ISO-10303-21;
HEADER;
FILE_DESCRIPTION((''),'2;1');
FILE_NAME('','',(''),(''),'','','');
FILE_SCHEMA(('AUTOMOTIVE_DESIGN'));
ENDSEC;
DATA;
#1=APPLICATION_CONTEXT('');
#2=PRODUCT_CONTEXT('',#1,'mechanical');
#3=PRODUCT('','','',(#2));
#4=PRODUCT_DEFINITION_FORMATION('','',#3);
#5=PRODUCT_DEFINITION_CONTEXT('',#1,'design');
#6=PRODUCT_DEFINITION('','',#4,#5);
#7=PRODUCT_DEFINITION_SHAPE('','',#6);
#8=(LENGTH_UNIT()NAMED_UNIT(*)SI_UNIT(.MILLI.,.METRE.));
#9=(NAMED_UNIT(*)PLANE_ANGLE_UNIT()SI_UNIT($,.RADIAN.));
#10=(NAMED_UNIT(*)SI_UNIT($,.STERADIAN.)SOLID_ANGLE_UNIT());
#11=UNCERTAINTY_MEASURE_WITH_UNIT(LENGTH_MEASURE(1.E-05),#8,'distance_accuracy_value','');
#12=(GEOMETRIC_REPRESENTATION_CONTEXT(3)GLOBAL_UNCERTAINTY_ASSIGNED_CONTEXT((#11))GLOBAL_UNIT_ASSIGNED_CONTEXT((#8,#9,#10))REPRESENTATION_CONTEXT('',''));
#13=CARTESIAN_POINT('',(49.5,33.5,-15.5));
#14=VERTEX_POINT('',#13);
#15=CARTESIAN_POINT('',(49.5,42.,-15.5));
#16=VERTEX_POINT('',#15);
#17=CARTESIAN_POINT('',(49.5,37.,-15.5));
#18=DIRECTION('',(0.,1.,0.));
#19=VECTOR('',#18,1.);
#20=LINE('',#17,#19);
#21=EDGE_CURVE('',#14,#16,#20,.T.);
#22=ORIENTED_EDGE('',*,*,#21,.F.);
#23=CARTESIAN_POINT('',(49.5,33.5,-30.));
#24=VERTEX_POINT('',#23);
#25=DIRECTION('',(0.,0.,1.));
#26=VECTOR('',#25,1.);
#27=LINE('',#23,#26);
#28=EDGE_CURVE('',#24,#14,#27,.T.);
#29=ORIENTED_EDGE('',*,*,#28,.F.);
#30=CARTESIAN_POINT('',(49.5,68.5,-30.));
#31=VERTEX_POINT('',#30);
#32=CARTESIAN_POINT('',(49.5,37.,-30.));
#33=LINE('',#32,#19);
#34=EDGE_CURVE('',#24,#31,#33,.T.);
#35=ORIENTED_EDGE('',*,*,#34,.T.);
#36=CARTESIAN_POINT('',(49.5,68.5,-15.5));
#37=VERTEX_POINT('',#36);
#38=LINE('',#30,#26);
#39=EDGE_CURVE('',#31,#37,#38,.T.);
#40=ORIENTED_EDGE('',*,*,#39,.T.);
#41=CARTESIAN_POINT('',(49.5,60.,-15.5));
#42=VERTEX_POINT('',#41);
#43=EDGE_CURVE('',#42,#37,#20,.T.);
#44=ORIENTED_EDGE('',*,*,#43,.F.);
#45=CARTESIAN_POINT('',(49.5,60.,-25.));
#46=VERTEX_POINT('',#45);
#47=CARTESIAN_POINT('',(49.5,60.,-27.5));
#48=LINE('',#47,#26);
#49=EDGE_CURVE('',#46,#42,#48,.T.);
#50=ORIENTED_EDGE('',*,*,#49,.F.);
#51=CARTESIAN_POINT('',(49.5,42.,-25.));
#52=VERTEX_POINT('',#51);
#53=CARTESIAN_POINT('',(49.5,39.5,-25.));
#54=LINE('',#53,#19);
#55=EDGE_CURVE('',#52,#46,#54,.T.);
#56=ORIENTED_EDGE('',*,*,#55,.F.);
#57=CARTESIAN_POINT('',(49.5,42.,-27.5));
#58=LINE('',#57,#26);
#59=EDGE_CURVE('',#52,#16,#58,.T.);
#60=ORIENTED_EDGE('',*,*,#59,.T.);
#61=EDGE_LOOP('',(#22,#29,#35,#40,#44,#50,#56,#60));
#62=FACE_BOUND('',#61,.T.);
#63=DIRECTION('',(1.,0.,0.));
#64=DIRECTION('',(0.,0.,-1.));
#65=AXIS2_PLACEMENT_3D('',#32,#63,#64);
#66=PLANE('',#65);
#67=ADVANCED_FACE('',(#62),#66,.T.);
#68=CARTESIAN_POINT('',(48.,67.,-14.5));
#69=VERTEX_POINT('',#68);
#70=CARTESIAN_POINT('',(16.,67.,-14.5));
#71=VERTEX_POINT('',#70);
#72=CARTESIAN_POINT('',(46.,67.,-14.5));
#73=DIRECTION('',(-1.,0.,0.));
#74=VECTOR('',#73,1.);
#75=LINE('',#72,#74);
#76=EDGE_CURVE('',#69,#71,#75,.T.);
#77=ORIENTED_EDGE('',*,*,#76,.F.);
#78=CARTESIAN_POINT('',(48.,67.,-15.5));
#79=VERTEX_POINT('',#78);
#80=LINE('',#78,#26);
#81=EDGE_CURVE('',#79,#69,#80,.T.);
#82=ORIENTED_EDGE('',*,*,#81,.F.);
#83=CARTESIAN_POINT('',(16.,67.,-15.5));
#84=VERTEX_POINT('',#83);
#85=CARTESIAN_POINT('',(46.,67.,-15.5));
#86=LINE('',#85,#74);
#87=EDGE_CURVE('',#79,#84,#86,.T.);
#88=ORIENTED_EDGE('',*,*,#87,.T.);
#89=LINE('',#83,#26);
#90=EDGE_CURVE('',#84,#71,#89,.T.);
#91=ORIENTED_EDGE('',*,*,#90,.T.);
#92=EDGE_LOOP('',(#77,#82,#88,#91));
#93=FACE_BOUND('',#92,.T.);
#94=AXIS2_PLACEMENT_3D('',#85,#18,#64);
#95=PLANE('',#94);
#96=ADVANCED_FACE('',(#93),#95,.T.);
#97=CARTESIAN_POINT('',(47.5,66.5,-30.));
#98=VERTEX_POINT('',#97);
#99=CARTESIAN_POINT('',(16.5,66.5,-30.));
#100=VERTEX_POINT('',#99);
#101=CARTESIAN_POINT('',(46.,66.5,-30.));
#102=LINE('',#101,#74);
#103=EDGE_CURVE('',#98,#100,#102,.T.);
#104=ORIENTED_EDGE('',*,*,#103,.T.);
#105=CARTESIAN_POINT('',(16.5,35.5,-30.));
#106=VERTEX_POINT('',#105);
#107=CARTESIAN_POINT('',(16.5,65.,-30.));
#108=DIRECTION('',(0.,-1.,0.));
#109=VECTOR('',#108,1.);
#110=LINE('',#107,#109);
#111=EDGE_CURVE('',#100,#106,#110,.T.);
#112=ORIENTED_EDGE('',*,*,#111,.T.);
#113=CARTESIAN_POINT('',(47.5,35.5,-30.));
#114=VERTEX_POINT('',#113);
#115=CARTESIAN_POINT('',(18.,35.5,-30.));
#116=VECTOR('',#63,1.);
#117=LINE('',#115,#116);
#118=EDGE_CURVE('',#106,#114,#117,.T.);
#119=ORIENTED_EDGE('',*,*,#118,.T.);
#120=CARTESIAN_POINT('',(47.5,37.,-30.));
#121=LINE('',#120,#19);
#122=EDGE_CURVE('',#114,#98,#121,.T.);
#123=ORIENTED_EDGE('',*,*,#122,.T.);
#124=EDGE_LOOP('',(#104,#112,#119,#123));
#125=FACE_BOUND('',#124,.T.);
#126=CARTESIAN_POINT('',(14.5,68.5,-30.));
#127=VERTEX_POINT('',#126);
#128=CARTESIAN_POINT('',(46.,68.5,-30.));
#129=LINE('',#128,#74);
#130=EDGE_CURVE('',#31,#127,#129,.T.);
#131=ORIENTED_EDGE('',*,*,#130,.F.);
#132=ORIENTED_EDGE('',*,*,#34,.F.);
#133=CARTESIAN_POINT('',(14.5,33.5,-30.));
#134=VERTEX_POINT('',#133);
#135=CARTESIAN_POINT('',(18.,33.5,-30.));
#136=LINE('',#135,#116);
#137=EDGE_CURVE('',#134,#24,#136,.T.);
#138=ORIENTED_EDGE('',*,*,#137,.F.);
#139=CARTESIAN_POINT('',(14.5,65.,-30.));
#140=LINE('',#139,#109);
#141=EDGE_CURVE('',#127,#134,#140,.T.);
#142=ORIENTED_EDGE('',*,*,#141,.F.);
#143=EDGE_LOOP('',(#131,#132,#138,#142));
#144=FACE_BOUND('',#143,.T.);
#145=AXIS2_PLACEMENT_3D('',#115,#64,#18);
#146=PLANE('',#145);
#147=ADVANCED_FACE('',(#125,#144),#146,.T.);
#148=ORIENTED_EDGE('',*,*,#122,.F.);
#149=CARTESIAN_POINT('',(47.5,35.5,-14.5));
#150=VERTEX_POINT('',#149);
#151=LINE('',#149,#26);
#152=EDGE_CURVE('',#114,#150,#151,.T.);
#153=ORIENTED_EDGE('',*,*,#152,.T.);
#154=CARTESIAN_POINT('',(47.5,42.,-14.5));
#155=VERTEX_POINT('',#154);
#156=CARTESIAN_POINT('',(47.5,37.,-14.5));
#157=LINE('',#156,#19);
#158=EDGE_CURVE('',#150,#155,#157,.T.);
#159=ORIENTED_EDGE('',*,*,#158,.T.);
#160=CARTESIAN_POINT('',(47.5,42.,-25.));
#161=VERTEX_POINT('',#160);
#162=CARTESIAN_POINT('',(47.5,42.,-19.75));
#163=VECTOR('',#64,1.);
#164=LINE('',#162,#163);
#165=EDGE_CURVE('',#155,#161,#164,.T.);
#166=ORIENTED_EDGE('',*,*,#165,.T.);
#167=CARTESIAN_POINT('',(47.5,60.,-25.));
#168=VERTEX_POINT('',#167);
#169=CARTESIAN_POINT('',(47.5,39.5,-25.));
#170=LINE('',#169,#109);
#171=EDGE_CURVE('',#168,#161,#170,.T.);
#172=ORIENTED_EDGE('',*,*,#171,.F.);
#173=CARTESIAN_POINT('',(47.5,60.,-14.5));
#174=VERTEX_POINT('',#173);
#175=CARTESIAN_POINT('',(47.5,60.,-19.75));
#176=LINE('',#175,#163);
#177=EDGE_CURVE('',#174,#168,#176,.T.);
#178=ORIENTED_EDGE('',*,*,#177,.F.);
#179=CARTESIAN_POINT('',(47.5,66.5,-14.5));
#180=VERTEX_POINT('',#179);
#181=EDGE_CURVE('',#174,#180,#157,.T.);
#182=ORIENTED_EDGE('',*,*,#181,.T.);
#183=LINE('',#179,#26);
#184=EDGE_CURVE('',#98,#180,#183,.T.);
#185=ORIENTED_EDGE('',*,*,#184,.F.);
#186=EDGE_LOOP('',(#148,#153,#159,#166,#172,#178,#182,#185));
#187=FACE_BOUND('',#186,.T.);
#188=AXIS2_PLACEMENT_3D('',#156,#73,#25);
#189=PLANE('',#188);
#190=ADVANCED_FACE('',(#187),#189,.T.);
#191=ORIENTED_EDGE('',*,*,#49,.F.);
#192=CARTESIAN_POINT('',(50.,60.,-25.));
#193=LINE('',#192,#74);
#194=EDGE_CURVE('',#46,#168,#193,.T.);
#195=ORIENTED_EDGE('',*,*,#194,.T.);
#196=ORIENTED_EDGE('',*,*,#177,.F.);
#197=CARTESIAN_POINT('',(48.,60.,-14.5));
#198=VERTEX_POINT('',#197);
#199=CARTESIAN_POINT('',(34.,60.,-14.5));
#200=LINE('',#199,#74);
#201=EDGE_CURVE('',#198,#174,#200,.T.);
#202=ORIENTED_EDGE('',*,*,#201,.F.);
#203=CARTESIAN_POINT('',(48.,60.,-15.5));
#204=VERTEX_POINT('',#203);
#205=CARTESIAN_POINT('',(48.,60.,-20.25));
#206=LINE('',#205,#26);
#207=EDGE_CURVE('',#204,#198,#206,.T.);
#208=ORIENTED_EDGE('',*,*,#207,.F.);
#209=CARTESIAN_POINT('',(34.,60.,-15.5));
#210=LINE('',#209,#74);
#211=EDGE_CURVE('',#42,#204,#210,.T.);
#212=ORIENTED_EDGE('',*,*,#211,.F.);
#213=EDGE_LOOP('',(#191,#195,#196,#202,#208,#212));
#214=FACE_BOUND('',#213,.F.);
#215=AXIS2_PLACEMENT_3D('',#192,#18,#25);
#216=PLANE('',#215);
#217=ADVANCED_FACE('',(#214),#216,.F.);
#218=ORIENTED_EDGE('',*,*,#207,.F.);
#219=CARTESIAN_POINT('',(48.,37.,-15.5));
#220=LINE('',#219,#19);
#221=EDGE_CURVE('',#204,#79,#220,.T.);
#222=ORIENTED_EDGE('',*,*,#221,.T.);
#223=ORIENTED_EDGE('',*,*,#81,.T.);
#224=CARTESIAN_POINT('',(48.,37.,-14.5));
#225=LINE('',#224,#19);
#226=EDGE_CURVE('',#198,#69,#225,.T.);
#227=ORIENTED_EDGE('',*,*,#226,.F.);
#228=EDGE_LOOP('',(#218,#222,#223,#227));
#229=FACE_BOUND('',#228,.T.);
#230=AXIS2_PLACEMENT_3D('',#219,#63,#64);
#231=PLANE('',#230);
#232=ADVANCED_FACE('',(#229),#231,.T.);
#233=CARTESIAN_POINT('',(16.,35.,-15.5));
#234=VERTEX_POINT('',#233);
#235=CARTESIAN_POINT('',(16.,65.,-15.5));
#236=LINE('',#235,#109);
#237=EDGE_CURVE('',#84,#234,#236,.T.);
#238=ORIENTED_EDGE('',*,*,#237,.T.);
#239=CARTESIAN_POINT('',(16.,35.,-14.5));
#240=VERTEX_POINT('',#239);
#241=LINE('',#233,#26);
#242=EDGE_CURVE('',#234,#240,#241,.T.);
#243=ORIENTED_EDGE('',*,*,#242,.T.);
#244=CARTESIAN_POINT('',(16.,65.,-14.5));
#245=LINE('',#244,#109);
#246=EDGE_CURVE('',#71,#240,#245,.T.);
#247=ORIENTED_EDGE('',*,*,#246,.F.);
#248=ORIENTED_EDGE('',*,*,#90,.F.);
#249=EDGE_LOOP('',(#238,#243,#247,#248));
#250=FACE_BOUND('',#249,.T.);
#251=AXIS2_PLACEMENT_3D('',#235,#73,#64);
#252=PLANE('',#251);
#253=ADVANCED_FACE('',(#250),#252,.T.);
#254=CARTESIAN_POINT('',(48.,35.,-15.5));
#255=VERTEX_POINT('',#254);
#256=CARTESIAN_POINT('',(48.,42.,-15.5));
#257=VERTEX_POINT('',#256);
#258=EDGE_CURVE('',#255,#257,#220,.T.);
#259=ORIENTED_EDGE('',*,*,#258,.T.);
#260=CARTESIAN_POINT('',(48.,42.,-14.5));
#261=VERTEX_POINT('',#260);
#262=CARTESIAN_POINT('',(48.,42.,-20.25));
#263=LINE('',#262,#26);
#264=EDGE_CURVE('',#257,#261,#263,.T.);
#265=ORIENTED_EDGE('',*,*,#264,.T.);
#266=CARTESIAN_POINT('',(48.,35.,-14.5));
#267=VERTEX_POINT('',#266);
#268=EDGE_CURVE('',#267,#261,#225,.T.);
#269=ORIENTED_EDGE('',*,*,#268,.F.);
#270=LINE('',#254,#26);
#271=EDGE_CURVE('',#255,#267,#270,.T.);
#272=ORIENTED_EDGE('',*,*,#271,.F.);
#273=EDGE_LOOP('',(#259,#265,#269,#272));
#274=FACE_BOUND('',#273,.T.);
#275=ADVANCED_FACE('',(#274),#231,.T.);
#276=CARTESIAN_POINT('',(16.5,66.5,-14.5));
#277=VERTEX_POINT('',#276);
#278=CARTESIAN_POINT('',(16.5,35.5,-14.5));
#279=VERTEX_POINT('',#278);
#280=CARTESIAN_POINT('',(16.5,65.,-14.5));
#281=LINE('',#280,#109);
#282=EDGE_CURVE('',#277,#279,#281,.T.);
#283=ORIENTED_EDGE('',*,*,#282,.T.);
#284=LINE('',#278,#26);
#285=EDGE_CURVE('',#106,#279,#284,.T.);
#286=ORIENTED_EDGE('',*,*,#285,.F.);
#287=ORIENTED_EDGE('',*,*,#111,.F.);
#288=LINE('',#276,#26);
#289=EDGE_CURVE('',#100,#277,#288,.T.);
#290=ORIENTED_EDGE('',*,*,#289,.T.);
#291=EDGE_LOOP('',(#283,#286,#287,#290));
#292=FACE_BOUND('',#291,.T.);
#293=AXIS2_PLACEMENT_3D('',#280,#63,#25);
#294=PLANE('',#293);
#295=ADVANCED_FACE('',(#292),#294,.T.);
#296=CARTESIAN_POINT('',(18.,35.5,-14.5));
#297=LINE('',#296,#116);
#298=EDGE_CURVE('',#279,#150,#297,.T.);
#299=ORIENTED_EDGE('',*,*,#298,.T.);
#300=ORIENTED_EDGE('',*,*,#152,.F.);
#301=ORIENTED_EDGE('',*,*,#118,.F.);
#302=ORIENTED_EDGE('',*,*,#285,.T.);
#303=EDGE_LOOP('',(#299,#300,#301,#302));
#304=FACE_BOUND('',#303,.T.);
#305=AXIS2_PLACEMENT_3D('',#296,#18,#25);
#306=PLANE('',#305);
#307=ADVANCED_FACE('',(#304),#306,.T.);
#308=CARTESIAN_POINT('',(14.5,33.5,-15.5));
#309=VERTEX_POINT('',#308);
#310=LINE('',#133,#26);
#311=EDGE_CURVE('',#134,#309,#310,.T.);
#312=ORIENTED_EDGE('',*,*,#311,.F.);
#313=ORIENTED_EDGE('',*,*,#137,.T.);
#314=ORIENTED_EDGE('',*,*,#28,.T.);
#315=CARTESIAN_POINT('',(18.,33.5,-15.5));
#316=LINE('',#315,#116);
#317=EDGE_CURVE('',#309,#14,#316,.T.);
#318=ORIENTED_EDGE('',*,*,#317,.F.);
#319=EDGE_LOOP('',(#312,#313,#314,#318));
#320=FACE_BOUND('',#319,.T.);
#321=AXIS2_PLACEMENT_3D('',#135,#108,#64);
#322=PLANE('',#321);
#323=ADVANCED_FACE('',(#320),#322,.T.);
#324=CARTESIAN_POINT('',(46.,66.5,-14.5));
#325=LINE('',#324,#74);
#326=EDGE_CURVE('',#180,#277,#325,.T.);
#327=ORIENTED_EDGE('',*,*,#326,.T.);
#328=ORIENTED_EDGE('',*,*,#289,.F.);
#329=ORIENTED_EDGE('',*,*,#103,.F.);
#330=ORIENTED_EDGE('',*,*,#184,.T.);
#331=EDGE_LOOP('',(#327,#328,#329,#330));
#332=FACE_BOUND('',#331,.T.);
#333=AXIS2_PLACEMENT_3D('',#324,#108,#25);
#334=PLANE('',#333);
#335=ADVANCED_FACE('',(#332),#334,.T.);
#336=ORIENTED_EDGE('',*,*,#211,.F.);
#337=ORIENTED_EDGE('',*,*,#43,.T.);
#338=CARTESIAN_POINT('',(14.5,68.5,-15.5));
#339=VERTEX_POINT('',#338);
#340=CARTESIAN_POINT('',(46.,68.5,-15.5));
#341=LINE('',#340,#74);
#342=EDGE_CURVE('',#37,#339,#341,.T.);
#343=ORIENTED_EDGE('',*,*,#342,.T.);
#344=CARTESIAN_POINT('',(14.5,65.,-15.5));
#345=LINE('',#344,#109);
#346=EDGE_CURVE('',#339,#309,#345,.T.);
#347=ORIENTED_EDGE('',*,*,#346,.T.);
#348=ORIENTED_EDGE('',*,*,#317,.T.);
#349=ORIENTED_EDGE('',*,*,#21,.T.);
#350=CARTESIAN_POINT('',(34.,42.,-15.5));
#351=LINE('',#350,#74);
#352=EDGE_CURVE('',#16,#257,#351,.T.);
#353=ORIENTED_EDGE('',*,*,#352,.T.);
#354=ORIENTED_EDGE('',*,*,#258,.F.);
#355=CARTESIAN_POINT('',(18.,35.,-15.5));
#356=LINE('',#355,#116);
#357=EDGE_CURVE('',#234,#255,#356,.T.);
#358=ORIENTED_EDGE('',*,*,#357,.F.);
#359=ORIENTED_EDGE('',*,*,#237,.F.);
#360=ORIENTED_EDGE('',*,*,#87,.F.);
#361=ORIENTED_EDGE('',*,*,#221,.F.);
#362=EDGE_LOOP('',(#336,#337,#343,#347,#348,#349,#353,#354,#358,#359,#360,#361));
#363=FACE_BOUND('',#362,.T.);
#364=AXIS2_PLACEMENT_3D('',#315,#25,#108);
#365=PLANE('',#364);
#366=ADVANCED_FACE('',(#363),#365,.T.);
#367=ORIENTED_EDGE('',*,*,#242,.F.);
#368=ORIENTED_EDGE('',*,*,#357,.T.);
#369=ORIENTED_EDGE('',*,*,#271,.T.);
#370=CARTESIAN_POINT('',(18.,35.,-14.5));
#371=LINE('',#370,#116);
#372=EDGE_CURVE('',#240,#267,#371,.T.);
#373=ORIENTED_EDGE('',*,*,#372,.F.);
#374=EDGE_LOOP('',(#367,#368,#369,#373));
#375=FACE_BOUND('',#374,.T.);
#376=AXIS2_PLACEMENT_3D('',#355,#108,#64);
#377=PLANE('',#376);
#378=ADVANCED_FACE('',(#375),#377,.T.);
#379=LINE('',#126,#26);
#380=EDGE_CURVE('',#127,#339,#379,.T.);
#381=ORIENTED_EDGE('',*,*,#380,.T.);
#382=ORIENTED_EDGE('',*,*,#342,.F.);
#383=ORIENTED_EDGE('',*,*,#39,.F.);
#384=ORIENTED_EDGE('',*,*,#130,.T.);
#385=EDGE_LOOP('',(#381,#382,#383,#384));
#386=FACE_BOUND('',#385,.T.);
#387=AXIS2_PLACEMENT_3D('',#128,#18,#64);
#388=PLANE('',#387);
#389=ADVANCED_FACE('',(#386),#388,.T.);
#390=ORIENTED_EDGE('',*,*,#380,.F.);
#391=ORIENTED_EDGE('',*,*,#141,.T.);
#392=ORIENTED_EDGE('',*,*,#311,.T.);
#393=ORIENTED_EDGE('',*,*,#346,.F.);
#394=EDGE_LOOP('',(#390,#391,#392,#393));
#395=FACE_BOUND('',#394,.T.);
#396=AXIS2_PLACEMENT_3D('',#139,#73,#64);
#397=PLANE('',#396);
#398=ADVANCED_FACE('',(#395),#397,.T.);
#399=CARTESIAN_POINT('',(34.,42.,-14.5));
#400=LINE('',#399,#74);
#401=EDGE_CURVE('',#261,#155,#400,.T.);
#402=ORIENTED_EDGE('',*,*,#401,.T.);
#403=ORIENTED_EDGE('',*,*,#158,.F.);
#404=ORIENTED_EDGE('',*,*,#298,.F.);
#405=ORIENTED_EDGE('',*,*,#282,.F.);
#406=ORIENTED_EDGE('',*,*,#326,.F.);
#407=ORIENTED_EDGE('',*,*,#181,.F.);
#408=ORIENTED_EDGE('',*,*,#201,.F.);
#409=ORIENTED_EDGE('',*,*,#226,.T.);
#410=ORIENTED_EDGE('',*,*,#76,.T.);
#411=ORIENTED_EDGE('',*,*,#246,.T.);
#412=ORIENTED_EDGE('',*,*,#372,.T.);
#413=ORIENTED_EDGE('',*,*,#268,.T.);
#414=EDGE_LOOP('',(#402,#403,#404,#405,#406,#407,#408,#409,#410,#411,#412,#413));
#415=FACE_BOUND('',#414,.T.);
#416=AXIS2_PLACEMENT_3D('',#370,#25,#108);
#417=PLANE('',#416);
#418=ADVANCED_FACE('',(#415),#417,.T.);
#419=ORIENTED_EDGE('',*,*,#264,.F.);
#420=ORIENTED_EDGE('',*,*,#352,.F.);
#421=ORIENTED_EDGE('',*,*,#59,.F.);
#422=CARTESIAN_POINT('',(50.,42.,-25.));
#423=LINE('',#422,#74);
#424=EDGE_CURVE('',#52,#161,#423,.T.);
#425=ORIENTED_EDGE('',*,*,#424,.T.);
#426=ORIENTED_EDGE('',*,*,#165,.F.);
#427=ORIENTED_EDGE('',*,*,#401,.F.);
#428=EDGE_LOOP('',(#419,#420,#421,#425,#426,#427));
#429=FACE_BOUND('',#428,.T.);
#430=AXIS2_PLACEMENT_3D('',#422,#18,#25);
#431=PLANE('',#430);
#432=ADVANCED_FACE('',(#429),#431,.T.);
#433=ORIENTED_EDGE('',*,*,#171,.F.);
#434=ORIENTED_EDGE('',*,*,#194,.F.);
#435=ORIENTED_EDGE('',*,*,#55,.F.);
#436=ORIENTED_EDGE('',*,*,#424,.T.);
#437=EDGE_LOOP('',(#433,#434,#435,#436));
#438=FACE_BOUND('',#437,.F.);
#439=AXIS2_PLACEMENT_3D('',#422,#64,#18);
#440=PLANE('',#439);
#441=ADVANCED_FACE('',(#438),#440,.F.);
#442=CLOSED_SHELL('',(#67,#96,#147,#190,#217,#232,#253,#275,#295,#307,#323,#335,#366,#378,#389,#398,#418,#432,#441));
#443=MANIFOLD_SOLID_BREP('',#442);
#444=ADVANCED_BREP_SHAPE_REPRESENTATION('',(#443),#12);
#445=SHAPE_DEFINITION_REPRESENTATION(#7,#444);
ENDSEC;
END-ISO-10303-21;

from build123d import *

# Parameters (mm, degrees)
SKETCH123_W      = 18
SKETCH123_H      = 13
EXTRUDE112_DEPTH = 5


with BuildPart() as extrude112:
    # Sketch123 → Extrude112 (new body)
    with BuildSketch(Plane.YZ.offset(50)):
        with Locations((51, -18.5)):
            Rectangle(SKETCH123_W, SKETCH123_H)
    extrude(amount=-EXTRUDE112_DEPTH)


with BuildPart() as cut019:
    # Sweep: sweep along a path in Sketch090
    with BuildLine(Plane(origin=(0, 0, -28), x_dir=(1, 0, 0), z_dir=(0, 0, -1))) as sweep_path:
        Line((16.5, -35.5), (47.5, -35.5))
        Line((47.5, -35.5), (47.5, -66.5))
        Line((47.5, -66.5), (16.5, -66.5))
        Line((16.5, -66.5), (16.5, -35.5))
    # Sketch089 → Sweep (sweep)
    with BuildSketch(Plane.XZ.offset(-34)):
        Polygon((16, -14.5), (16.5, -14.5), (16.5, -30), (14.5, -30), (14.5, -15.5), (16, -15.5), align=None)
    sweep(path=sweep_path.line, transition=Transition.RIGHT)

    # Cut019: cut Extrude112
    add(extrude112.part, mode=Mode.SUBTRACT)


solid = cut019.part
